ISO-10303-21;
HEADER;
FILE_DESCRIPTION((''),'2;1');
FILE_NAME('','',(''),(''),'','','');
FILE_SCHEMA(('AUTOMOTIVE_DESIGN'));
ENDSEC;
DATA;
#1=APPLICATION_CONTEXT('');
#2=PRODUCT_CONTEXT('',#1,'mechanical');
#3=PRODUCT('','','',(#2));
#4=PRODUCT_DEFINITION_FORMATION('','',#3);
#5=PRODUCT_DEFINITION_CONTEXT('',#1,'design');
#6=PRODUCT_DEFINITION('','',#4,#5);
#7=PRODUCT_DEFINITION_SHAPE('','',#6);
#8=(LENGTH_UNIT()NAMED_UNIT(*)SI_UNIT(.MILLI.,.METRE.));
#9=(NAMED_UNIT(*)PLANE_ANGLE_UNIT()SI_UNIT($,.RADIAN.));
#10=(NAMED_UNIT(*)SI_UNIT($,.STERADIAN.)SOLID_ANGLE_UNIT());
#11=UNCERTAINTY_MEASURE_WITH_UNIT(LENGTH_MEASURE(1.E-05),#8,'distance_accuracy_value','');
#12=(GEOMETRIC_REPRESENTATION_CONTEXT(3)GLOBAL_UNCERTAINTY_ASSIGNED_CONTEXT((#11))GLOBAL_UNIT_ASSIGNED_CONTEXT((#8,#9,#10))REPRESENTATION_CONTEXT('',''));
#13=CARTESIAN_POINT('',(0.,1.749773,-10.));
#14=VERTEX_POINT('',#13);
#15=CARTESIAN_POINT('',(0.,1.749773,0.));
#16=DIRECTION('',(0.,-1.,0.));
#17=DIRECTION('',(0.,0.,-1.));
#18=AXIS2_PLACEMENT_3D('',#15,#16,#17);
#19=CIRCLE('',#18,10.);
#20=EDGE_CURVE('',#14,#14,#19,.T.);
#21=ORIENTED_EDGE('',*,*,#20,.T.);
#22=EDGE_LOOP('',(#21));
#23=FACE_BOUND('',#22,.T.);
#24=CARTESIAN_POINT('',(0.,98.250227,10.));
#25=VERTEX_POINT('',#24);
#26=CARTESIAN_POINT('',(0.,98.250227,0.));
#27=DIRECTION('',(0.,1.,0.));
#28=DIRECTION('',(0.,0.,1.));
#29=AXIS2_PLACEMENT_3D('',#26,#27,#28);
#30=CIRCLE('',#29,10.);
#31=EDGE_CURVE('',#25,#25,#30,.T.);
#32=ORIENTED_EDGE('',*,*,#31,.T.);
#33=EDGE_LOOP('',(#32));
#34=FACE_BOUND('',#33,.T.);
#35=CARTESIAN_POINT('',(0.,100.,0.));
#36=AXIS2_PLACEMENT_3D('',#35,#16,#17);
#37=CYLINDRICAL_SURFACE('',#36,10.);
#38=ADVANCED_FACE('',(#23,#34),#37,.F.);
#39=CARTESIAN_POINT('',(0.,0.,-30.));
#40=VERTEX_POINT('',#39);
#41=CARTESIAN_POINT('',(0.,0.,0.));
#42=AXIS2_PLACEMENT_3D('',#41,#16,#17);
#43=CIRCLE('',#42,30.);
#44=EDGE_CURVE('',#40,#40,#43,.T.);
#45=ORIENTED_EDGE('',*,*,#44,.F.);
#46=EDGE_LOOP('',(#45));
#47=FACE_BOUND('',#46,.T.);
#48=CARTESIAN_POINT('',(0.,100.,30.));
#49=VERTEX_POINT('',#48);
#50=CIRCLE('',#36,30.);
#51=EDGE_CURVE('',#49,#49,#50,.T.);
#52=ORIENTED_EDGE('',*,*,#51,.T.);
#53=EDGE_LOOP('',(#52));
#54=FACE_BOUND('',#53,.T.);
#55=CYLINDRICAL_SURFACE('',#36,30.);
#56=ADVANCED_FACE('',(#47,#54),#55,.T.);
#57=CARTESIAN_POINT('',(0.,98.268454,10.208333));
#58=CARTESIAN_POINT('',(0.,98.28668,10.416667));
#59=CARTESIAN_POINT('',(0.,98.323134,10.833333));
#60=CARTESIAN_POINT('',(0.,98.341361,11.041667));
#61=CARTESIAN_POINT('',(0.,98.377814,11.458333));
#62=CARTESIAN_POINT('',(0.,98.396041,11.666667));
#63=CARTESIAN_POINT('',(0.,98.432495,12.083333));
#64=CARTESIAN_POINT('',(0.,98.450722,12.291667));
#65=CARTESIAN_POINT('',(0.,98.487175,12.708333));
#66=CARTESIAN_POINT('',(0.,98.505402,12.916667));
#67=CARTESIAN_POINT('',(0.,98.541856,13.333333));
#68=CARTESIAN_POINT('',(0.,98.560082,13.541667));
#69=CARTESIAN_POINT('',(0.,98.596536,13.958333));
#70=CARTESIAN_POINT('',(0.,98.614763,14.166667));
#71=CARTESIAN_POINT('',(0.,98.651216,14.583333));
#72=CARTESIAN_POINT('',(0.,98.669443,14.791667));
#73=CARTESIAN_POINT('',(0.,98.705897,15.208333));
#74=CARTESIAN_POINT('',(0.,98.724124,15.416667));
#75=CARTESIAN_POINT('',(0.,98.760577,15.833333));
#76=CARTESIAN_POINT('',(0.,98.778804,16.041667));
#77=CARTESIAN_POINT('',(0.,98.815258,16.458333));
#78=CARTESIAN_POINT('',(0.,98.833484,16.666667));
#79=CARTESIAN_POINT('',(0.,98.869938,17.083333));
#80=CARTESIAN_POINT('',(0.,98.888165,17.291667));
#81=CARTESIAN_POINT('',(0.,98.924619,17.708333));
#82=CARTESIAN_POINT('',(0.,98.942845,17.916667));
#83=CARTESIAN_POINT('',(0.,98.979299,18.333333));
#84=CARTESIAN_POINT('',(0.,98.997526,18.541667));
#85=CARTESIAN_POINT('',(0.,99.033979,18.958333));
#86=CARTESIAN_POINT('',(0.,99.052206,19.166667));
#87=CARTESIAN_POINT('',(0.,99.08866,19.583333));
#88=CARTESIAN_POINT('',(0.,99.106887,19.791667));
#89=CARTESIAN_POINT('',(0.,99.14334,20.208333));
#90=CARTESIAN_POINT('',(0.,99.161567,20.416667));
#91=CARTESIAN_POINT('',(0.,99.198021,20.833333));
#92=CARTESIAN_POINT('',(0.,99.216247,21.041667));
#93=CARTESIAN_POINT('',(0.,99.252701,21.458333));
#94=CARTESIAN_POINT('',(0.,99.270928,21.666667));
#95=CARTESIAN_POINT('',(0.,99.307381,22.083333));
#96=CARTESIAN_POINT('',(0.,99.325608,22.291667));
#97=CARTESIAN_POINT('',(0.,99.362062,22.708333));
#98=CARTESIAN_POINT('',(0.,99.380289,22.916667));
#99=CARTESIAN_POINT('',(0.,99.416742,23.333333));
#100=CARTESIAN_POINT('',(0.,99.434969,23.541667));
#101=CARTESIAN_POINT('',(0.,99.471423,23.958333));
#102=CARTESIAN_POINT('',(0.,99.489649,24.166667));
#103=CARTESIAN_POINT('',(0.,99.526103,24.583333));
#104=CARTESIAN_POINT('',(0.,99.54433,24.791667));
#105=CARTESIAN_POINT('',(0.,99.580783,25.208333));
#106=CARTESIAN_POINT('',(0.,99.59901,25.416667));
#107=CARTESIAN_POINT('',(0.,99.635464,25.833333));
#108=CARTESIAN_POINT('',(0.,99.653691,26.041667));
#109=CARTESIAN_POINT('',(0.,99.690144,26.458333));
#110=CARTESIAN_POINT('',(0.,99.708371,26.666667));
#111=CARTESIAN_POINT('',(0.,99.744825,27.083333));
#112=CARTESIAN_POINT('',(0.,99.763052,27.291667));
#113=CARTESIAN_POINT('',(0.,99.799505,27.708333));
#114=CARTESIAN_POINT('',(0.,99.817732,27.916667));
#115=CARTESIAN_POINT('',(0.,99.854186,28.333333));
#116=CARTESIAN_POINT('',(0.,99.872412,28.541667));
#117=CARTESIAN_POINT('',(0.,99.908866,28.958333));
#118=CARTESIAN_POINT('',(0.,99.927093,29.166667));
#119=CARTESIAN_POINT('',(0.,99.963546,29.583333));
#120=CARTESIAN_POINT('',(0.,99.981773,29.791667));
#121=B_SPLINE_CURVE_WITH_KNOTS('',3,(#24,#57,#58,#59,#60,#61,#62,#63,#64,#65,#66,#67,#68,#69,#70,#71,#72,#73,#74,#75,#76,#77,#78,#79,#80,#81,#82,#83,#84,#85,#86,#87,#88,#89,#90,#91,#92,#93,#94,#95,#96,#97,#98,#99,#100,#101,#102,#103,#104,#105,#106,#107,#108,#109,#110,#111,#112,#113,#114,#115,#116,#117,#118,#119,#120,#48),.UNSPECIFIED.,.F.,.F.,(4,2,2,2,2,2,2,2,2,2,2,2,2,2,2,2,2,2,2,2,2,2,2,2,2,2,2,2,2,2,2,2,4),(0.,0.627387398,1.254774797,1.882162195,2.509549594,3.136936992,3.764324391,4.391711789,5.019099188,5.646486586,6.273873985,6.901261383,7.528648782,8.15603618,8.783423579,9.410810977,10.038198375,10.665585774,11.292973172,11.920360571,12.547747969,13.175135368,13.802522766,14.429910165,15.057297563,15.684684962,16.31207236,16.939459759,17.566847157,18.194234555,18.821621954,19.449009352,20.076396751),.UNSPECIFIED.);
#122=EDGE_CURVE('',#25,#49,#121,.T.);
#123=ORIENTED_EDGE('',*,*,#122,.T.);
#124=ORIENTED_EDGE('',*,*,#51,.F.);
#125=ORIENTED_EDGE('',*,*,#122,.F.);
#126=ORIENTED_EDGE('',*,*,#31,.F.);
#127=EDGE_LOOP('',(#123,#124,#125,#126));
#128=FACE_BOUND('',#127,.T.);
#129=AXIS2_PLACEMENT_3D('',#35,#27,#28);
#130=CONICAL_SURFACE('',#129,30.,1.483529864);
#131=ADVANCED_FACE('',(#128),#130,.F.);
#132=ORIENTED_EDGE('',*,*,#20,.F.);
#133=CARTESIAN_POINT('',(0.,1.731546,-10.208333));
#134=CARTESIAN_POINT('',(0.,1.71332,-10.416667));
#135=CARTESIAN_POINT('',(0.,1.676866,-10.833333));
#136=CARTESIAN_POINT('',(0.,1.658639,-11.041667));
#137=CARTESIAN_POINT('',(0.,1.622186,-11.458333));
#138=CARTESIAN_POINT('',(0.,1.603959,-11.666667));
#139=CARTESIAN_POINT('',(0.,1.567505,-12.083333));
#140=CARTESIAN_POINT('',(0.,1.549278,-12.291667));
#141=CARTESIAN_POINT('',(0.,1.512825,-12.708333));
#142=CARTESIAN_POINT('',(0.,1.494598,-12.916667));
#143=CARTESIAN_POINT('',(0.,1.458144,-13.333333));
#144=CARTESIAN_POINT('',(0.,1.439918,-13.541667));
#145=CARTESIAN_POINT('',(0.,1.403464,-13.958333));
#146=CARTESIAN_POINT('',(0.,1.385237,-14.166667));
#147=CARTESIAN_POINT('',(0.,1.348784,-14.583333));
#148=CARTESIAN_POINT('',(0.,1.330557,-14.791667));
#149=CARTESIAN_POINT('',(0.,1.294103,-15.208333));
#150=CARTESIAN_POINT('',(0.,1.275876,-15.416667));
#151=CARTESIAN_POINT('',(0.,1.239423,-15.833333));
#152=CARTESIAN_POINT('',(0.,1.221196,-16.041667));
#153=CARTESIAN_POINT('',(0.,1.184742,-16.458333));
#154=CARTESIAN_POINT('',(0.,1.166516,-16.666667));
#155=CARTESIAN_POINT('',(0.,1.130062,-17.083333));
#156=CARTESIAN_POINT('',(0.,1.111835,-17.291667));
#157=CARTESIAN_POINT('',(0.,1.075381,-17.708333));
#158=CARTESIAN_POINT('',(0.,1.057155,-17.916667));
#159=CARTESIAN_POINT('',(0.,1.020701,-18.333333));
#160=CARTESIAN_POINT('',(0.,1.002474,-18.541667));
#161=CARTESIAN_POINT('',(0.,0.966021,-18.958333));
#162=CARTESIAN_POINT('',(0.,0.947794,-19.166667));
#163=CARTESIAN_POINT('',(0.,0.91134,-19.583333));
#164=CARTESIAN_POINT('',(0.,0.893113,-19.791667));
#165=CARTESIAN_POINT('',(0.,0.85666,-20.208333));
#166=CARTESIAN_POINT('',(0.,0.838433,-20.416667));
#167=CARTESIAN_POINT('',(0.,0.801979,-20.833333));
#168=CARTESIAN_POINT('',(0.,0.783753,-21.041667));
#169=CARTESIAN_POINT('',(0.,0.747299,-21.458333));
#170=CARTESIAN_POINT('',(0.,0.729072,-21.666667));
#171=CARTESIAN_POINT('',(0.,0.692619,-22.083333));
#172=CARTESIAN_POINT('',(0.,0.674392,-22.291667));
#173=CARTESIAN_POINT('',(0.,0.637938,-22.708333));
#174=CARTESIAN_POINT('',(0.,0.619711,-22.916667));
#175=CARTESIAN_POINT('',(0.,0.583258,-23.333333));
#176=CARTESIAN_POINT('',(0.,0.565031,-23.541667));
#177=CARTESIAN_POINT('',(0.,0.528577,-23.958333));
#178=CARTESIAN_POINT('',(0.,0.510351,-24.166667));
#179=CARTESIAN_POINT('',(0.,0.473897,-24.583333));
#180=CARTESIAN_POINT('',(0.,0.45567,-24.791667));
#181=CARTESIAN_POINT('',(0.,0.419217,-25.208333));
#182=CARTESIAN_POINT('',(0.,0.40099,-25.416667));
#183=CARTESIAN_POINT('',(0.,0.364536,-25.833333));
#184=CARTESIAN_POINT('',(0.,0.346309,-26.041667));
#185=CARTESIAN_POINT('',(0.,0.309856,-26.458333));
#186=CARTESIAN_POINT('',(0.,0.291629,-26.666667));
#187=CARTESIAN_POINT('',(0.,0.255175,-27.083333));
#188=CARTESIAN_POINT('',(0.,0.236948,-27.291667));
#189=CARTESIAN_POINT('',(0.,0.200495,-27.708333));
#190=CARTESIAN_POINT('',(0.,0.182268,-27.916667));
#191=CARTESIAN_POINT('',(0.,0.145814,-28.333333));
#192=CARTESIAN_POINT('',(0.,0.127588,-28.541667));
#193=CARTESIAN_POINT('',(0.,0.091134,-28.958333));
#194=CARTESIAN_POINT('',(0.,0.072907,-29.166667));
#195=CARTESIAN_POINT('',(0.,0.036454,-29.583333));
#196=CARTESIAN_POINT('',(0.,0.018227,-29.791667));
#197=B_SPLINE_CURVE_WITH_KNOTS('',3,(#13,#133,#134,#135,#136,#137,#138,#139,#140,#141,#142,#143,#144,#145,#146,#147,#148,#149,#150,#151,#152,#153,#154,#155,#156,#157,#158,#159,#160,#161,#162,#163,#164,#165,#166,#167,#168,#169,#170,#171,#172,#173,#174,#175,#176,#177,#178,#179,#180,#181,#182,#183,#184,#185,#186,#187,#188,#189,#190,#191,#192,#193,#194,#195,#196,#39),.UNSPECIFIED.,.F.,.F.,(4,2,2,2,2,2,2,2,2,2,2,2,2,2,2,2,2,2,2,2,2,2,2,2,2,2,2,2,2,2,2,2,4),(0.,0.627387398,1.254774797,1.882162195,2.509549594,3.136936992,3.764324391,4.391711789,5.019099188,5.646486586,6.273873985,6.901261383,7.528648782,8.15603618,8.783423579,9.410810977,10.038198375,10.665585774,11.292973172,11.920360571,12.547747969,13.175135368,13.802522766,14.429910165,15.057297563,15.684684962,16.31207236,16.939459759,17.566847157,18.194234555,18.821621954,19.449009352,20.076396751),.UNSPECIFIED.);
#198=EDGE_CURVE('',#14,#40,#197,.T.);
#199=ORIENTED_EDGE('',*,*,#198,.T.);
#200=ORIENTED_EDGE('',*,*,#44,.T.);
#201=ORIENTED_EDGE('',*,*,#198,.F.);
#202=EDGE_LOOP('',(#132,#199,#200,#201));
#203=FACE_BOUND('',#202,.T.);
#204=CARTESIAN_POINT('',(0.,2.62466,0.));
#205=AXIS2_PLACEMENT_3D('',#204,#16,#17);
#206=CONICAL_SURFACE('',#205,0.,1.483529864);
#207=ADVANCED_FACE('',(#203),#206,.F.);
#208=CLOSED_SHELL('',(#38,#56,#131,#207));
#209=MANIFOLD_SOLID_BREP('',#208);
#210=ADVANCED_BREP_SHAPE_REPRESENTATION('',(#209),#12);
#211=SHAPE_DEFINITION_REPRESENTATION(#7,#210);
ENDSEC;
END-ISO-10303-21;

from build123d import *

# Parameters (mm, degrees)
SKETCH1_R      = 30
SKETCH1_R_2    = 10
EXTRUDE1_DEPTH = 100


with BuildPart() as part:
    # Sketch1 → Extrude1 (new body)
    with BuildSketch(Plane(origin=(0, 0, 0), x_dir=(1, 0, 0), z_dir=(0, 1, 0))):
        with Locations(Location((0, 0, 0), (0, 0, 270))):
            Circle(SKETCH1_R)
        with Locations(Location((0, 0, 0), (0, 0, 270))):
            Circle(SKETCH1_R_2, mode=Mode.SUBTRACT)
    extrude(amount=EXTRUDE1_DEPTH)

    # Sketch3 → Cut-Revolve1 (revolve, cut)
    with BuildSketch(Plane.XY, mode=Mode.PRIVATE) as cut_revolve1_sk:
        Polygon((-30, 100), (0, 97.375340094), (0, 100), align=None)
        Polygon((0, 2.624659906), (0, 0), (-30, 0), align=None)
    revolve(cut_revolve1_sk.sketch.rotate(Axis((0, 97.375340094, 0), (0, 1, 0)), 270), axis=Axis((0, 97.375340094, 0), (0, 1, 0)), mode=Mode.SUBTRACT)


solid = part.part
